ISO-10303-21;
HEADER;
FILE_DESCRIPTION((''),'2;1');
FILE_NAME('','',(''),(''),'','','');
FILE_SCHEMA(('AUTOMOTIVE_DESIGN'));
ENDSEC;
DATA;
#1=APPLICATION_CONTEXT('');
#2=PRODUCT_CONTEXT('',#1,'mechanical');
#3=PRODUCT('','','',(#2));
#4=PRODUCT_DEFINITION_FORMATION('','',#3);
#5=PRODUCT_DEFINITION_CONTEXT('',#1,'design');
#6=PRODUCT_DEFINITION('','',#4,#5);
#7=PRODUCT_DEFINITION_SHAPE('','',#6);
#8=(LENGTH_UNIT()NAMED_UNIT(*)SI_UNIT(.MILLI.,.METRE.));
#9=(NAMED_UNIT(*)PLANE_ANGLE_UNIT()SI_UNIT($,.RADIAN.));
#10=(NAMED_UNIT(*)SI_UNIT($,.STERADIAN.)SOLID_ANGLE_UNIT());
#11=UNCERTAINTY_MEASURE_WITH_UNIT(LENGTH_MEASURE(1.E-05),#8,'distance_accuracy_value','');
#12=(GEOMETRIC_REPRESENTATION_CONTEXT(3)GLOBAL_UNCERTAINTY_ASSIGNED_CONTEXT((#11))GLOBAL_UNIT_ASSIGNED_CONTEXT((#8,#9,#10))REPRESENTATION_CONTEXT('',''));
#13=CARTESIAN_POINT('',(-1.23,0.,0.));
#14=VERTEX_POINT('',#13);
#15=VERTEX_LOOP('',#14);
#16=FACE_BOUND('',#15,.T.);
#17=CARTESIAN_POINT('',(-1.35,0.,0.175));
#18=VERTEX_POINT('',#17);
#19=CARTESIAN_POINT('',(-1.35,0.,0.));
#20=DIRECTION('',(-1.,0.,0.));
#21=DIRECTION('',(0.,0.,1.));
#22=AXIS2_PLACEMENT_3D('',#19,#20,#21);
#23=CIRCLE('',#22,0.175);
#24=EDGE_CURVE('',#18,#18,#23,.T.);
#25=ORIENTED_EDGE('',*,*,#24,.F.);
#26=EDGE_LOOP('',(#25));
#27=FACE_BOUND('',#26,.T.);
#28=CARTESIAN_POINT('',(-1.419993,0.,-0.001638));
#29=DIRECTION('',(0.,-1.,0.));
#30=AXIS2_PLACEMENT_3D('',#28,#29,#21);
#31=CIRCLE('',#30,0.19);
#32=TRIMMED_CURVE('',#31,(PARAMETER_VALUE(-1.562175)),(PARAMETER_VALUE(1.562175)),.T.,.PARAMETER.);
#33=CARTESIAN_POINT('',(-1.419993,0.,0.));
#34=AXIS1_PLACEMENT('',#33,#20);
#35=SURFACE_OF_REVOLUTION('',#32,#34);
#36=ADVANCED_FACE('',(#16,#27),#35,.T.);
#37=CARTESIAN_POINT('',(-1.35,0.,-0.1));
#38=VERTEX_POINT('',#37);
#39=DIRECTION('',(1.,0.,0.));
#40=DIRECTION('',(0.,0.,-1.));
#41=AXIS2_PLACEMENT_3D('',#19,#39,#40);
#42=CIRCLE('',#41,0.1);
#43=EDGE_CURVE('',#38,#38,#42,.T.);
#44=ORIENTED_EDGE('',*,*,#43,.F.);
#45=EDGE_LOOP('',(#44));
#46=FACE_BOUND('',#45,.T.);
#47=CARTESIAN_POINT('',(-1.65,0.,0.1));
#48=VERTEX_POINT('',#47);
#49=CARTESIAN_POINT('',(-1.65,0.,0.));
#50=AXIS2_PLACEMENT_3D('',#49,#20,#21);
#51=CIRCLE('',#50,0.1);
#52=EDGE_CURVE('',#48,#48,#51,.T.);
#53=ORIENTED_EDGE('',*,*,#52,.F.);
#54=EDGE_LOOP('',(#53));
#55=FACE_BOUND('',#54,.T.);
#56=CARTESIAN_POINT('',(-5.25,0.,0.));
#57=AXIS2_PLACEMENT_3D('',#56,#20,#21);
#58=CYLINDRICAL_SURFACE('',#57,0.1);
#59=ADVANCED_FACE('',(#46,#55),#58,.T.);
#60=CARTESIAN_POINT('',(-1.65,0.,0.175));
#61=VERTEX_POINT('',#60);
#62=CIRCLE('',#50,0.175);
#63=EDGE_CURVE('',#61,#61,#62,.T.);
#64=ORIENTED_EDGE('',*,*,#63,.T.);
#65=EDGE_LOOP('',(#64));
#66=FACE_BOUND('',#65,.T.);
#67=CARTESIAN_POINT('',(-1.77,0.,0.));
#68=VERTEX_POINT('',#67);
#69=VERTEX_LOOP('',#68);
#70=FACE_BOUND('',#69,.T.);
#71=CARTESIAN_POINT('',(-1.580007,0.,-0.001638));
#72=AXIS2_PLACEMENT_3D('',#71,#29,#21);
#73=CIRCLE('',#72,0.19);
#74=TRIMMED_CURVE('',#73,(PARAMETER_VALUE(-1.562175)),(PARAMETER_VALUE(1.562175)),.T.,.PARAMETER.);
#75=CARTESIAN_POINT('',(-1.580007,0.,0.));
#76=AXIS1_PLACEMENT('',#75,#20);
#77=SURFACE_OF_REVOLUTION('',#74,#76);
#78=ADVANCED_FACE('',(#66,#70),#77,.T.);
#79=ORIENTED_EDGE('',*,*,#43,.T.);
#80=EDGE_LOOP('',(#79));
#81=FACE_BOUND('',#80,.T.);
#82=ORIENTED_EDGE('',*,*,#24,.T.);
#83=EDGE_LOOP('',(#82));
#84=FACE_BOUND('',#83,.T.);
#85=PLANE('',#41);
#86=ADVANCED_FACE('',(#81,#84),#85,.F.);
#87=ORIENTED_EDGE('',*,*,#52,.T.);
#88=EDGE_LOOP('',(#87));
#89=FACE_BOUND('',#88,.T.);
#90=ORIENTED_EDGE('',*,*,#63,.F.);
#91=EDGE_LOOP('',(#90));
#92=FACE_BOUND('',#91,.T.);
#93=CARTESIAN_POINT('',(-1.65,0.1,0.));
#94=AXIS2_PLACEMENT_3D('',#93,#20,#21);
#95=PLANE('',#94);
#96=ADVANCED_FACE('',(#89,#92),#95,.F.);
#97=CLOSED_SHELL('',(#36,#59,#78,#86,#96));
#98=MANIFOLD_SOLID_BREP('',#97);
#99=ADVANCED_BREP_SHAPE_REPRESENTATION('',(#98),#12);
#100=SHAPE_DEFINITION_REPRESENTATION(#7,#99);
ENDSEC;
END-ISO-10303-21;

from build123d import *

# Parameters (mm, degrees)
SCALE1_SCALE = 0.1


with BuildPart() as part:
    # Sketch1 → Base-Revolve (revolve)
    with BuildSketch(Plane.XY, mode=Mode.PRIVATE) as base_revolve_sk:
        with BuildLine():
            Line((-4.2, 0), (0, 0))
            Line((0, 0), (0, 1))
            Line((0, 1), (-3, 1))
            Line((-3, 1), (-3, 1.75))
            ThreePointArc((-3, 1.75), (-3.867055428, 1.058123722), (-4.2, 0))
        make_face()
    revolve(base_revolve_sk.sketch.rotate(Axis((-39, 0, 0), (1, 0, 0)), 90), axis=Axis((-39, 0, 0), (1, 0, 0)))

    # Sketch3 → HeadTypeA (revolve)
    with BuildSketch(Plane.XY):
        with BuildLine():
            Line((0, 0), (1.2, 0))
            ThreePointArc((1.2, 0), (0.867055428, 1.058123722), (0, 1.75))
            Line((0, 1.75), (0, 0))
        make_face()
    revolve(axis=Axis((-49, 0, 0), (1, 0, 0)))


with BuildPart() as part_1:
    # Scale1: scaled about (-1.5, 0, 0)
    add(part.part.scale(SCALE1_SCALE).moved(Location((-1.35, 0, 0))))


solid = part_1.part
